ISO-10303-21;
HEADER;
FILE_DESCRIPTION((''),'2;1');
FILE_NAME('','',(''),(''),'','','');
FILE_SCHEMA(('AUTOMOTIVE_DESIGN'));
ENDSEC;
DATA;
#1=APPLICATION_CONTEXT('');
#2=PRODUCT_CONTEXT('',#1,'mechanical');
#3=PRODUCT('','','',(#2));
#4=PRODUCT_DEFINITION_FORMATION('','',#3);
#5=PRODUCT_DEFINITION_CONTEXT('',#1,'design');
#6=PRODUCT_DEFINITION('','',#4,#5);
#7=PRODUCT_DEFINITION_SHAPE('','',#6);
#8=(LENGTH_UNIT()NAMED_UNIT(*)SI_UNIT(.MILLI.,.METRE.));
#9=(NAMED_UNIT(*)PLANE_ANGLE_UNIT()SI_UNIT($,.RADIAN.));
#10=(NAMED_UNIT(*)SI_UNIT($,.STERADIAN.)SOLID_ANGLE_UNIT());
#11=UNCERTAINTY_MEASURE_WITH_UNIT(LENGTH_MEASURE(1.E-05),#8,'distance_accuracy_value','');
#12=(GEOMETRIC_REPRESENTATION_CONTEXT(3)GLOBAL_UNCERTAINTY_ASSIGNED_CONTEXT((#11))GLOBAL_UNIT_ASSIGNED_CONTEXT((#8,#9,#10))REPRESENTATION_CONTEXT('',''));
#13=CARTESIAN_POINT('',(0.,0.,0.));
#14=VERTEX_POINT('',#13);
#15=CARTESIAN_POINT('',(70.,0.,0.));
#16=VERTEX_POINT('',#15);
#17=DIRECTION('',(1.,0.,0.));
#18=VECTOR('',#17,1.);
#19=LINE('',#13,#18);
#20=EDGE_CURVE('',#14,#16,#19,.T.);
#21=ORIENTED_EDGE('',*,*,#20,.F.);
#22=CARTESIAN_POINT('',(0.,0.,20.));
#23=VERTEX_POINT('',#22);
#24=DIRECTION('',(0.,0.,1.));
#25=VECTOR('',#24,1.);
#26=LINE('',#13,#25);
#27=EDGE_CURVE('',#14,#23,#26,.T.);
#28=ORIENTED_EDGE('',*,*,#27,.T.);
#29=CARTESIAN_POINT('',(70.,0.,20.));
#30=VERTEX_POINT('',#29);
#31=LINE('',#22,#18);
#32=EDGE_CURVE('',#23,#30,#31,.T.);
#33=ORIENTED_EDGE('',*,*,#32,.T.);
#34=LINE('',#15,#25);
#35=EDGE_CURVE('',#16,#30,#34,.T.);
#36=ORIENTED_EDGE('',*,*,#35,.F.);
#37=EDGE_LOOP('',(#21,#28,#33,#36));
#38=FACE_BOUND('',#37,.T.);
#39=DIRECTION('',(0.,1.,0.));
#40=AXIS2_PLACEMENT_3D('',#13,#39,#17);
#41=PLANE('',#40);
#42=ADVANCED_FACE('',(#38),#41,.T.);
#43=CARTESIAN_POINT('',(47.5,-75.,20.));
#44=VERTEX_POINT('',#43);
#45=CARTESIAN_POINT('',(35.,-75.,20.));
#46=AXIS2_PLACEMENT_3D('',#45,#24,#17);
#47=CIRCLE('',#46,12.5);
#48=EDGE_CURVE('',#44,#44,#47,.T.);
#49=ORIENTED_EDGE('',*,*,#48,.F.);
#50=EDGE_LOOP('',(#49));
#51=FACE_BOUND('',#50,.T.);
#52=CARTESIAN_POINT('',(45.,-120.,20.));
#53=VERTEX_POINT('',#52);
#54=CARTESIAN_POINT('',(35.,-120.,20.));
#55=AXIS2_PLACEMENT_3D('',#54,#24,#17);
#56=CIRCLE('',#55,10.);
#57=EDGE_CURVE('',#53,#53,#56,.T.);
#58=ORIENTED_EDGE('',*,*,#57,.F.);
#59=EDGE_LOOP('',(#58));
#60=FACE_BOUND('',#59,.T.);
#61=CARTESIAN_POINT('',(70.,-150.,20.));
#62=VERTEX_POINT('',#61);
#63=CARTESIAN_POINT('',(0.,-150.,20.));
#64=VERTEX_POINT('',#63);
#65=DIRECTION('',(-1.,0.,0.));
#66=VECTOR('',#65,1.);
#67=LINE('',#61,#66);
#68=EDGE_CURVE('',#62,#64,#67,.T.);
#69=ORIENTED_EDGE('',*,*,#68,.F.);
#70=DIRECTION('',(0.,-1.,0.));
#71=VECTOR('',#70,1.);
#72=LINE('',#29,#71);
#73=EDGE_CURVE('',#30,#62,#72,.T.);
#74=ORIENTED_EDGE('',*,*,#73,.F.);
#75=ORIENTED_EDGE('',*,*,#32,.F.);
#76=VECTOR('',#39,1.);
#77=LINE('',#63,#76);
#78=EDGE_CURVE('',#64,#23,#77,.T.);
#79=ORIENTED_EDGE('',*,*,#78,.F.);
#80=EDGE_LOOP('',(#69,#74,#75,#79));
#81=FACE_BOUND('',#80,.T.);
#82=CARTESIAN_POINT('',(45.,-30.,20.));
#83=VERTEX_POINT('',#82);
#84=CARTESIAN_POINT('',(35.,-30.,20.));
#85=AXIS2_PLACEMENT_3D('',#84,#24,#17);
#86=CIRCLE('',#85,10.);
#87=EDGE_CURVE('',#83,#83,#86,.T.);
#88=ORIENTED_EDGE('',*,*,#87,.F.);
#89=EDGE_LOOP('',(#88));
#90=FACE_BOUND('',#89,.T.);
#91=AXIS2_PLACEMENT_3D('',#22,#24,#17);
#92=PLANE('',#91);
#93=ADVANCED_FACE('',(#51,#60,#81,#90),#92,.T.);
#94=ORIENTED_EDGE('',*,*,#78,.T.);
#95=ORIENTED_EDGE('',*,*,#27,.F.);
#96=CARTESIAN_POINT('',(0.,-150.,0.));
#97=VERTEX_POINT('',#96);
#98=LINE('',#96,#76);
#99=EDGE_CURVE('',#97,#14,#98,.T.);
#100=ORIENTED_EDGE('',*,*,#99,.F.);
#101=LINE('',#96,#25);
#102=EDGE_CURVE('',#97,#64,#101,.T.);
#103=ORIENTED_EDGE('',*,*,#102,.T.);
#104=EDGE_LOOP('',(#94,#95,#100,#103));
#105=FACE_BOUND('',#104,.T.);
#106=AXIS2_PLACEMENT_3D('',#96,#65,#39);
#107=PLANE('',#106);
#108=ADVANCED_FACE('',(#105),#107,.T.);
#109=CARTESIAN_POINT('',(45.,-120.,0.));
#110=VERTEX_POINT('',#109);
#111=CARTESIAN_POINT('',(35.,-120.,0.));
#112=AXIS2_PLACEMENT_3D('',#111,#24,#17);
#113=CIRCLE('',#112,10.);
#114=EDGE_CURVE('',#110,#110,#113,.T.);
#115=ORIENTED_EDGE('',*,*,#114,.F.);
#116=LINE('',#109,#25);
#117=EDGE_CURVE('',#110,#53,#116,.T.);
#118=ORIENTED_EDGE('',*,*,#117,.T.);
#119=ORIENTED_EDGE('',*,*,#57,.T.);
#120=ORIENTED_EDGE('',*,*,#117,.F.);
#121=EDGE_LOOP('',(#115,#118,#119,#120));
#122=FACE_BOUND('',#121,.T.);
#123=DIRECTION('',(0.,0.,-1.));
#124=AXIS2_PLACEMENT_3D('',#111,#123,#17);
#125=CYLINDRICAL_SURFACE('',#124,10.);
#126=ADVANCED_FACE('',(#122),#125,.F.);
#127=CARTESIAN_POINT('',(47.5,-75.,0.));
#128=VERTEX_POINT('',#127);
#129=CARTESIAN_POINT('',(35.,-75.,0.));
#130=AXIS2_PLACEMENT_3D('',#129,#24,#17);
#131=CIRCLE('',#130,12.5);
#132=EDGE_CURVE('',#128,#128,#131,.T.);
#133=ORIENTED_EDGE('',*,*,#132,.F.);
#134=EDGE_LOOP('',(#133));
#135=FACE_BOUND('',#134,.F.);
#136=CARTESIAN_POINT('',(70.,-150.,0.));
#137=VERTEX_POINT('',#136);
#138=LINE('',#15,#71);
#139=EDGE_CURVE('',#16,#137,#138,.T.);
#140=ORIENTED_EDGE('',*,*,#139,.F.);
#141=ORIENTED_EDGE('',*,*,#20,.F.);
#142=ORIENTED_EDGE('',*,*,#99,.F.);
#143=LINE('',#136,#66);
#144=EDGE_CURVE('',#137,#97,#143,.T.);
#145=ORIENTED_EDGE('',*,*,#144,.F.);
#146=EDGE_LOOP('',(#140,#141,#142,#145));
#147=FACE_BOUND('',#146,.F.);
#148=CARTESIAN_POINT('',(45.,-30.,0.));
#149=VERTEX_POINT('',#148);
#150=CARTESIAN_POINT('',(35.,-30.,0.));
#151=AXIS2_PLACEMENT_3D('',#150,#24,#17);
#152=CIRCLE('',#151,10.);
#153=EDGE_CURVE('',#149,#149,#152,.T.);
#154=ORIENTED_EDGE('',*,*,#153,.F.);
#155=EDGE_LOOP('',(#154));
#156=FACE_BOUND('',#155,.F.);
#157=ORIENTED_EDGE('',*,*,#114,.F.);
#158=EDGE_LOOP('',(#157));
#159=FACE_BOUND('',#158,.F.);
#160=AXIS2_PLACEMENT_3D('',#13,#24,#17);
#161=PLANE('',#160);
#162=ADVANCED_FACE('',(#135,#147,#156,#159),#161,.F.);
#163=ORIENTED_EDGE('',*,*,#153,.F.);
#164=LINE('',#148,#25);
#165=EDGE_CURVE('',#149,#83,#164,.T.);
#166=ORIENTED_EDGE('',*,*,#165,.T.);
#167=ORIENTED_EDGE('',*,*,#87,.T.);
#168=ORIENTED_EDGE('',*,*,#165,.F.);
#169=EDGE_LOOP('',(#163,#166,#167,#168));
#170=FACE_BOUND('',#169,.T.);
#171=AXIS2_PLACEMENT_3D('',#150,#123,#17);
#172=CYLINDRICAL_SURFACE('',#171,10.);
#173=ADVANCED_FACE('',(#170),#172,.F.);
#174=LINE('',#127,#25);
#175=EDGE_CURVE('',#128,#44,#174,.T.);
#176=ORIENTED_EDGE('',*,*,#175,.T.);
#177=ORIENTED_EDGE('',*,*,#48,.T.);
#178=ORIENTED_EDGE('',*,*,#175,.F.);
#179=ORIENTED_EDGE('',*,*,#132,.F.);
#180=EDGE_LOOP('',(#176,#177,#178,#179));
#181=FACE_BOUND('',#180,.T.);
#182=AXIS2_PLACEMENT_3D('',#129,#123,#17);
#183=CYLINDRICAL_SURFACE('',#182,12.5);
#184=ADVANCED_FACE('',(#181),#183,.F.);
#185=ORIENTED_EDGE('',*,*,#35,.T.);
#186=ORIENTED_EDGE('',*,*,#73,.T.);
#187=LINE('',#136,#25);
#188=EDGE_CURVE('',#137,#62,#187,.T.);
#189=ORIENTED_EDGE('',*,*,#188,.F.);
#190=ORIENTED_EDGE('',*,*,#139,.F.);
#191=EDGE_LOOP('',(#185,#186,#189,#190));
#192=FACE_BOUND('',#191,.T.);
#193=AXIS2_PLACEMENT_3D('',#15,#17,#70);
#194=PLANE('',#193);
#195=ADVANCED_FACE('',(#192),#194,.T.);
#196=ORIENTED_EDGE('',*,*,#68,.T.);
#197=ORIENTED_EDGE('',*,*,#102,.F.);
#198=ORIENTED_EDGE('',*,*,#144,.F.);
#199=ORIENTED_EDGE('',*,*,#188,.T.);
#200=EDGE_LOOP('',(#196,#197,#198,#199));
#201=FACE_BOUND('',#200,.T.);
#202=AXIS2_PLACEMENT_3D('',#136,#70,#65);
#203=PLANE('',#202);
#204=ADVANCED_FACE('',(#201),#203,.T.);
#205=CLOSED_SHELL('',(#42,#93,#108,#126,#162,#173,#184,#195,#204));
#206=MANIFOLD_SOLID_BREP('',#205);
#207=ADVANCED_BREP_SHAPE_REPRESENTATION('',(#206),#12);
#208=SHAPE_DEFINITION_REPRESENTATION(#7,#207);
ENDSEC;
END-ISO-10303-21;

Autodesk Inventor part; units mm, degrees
ref_plane "YZ Plane" through (0, 0, 0) normal (1, 0, 0) x (0, 1, 0)
ref_plane "XZ Plane" through (0, 0, 0) normal (0, 1, 0) x (-1, 0, 0)
ref_plane "XY Plane" through (0, 0, 0) normal (0, 0, 1) x (1, 0, 0)
sketch "Boceto1" plane through (0, 0, 0) normal (0, 0, 1) x (1, 0, 0)
  line L0 (0, 0) -> (70, 0)
  line L1 (70, 0) -> (70, -150)
  line L2 (70, -150) -> (0, -150)
  line L3 (0, -150) -> (0, 0)
  circle A0 centre (35, -30) radius 10
  circle A1 centre (35, -120) radius 10
  circle A2 centre (35, -75) radius 12.5
  dimension "d0" = 70
  dimension "d1" = 150
  dimension "d2" = 20
  dimension "d3" = 20
  dimension "d4" = 25
  dimension "d5" = 35
  dimension "d6" = 30
  dimension "d7" = 35
  dimension "d8" = 75
  dimension "d9" = 35
  dimension "d10" = 120
extrude "Extrusión1" add sketch "Boceto1" along normal blind 20
properties part number "sujetador"
